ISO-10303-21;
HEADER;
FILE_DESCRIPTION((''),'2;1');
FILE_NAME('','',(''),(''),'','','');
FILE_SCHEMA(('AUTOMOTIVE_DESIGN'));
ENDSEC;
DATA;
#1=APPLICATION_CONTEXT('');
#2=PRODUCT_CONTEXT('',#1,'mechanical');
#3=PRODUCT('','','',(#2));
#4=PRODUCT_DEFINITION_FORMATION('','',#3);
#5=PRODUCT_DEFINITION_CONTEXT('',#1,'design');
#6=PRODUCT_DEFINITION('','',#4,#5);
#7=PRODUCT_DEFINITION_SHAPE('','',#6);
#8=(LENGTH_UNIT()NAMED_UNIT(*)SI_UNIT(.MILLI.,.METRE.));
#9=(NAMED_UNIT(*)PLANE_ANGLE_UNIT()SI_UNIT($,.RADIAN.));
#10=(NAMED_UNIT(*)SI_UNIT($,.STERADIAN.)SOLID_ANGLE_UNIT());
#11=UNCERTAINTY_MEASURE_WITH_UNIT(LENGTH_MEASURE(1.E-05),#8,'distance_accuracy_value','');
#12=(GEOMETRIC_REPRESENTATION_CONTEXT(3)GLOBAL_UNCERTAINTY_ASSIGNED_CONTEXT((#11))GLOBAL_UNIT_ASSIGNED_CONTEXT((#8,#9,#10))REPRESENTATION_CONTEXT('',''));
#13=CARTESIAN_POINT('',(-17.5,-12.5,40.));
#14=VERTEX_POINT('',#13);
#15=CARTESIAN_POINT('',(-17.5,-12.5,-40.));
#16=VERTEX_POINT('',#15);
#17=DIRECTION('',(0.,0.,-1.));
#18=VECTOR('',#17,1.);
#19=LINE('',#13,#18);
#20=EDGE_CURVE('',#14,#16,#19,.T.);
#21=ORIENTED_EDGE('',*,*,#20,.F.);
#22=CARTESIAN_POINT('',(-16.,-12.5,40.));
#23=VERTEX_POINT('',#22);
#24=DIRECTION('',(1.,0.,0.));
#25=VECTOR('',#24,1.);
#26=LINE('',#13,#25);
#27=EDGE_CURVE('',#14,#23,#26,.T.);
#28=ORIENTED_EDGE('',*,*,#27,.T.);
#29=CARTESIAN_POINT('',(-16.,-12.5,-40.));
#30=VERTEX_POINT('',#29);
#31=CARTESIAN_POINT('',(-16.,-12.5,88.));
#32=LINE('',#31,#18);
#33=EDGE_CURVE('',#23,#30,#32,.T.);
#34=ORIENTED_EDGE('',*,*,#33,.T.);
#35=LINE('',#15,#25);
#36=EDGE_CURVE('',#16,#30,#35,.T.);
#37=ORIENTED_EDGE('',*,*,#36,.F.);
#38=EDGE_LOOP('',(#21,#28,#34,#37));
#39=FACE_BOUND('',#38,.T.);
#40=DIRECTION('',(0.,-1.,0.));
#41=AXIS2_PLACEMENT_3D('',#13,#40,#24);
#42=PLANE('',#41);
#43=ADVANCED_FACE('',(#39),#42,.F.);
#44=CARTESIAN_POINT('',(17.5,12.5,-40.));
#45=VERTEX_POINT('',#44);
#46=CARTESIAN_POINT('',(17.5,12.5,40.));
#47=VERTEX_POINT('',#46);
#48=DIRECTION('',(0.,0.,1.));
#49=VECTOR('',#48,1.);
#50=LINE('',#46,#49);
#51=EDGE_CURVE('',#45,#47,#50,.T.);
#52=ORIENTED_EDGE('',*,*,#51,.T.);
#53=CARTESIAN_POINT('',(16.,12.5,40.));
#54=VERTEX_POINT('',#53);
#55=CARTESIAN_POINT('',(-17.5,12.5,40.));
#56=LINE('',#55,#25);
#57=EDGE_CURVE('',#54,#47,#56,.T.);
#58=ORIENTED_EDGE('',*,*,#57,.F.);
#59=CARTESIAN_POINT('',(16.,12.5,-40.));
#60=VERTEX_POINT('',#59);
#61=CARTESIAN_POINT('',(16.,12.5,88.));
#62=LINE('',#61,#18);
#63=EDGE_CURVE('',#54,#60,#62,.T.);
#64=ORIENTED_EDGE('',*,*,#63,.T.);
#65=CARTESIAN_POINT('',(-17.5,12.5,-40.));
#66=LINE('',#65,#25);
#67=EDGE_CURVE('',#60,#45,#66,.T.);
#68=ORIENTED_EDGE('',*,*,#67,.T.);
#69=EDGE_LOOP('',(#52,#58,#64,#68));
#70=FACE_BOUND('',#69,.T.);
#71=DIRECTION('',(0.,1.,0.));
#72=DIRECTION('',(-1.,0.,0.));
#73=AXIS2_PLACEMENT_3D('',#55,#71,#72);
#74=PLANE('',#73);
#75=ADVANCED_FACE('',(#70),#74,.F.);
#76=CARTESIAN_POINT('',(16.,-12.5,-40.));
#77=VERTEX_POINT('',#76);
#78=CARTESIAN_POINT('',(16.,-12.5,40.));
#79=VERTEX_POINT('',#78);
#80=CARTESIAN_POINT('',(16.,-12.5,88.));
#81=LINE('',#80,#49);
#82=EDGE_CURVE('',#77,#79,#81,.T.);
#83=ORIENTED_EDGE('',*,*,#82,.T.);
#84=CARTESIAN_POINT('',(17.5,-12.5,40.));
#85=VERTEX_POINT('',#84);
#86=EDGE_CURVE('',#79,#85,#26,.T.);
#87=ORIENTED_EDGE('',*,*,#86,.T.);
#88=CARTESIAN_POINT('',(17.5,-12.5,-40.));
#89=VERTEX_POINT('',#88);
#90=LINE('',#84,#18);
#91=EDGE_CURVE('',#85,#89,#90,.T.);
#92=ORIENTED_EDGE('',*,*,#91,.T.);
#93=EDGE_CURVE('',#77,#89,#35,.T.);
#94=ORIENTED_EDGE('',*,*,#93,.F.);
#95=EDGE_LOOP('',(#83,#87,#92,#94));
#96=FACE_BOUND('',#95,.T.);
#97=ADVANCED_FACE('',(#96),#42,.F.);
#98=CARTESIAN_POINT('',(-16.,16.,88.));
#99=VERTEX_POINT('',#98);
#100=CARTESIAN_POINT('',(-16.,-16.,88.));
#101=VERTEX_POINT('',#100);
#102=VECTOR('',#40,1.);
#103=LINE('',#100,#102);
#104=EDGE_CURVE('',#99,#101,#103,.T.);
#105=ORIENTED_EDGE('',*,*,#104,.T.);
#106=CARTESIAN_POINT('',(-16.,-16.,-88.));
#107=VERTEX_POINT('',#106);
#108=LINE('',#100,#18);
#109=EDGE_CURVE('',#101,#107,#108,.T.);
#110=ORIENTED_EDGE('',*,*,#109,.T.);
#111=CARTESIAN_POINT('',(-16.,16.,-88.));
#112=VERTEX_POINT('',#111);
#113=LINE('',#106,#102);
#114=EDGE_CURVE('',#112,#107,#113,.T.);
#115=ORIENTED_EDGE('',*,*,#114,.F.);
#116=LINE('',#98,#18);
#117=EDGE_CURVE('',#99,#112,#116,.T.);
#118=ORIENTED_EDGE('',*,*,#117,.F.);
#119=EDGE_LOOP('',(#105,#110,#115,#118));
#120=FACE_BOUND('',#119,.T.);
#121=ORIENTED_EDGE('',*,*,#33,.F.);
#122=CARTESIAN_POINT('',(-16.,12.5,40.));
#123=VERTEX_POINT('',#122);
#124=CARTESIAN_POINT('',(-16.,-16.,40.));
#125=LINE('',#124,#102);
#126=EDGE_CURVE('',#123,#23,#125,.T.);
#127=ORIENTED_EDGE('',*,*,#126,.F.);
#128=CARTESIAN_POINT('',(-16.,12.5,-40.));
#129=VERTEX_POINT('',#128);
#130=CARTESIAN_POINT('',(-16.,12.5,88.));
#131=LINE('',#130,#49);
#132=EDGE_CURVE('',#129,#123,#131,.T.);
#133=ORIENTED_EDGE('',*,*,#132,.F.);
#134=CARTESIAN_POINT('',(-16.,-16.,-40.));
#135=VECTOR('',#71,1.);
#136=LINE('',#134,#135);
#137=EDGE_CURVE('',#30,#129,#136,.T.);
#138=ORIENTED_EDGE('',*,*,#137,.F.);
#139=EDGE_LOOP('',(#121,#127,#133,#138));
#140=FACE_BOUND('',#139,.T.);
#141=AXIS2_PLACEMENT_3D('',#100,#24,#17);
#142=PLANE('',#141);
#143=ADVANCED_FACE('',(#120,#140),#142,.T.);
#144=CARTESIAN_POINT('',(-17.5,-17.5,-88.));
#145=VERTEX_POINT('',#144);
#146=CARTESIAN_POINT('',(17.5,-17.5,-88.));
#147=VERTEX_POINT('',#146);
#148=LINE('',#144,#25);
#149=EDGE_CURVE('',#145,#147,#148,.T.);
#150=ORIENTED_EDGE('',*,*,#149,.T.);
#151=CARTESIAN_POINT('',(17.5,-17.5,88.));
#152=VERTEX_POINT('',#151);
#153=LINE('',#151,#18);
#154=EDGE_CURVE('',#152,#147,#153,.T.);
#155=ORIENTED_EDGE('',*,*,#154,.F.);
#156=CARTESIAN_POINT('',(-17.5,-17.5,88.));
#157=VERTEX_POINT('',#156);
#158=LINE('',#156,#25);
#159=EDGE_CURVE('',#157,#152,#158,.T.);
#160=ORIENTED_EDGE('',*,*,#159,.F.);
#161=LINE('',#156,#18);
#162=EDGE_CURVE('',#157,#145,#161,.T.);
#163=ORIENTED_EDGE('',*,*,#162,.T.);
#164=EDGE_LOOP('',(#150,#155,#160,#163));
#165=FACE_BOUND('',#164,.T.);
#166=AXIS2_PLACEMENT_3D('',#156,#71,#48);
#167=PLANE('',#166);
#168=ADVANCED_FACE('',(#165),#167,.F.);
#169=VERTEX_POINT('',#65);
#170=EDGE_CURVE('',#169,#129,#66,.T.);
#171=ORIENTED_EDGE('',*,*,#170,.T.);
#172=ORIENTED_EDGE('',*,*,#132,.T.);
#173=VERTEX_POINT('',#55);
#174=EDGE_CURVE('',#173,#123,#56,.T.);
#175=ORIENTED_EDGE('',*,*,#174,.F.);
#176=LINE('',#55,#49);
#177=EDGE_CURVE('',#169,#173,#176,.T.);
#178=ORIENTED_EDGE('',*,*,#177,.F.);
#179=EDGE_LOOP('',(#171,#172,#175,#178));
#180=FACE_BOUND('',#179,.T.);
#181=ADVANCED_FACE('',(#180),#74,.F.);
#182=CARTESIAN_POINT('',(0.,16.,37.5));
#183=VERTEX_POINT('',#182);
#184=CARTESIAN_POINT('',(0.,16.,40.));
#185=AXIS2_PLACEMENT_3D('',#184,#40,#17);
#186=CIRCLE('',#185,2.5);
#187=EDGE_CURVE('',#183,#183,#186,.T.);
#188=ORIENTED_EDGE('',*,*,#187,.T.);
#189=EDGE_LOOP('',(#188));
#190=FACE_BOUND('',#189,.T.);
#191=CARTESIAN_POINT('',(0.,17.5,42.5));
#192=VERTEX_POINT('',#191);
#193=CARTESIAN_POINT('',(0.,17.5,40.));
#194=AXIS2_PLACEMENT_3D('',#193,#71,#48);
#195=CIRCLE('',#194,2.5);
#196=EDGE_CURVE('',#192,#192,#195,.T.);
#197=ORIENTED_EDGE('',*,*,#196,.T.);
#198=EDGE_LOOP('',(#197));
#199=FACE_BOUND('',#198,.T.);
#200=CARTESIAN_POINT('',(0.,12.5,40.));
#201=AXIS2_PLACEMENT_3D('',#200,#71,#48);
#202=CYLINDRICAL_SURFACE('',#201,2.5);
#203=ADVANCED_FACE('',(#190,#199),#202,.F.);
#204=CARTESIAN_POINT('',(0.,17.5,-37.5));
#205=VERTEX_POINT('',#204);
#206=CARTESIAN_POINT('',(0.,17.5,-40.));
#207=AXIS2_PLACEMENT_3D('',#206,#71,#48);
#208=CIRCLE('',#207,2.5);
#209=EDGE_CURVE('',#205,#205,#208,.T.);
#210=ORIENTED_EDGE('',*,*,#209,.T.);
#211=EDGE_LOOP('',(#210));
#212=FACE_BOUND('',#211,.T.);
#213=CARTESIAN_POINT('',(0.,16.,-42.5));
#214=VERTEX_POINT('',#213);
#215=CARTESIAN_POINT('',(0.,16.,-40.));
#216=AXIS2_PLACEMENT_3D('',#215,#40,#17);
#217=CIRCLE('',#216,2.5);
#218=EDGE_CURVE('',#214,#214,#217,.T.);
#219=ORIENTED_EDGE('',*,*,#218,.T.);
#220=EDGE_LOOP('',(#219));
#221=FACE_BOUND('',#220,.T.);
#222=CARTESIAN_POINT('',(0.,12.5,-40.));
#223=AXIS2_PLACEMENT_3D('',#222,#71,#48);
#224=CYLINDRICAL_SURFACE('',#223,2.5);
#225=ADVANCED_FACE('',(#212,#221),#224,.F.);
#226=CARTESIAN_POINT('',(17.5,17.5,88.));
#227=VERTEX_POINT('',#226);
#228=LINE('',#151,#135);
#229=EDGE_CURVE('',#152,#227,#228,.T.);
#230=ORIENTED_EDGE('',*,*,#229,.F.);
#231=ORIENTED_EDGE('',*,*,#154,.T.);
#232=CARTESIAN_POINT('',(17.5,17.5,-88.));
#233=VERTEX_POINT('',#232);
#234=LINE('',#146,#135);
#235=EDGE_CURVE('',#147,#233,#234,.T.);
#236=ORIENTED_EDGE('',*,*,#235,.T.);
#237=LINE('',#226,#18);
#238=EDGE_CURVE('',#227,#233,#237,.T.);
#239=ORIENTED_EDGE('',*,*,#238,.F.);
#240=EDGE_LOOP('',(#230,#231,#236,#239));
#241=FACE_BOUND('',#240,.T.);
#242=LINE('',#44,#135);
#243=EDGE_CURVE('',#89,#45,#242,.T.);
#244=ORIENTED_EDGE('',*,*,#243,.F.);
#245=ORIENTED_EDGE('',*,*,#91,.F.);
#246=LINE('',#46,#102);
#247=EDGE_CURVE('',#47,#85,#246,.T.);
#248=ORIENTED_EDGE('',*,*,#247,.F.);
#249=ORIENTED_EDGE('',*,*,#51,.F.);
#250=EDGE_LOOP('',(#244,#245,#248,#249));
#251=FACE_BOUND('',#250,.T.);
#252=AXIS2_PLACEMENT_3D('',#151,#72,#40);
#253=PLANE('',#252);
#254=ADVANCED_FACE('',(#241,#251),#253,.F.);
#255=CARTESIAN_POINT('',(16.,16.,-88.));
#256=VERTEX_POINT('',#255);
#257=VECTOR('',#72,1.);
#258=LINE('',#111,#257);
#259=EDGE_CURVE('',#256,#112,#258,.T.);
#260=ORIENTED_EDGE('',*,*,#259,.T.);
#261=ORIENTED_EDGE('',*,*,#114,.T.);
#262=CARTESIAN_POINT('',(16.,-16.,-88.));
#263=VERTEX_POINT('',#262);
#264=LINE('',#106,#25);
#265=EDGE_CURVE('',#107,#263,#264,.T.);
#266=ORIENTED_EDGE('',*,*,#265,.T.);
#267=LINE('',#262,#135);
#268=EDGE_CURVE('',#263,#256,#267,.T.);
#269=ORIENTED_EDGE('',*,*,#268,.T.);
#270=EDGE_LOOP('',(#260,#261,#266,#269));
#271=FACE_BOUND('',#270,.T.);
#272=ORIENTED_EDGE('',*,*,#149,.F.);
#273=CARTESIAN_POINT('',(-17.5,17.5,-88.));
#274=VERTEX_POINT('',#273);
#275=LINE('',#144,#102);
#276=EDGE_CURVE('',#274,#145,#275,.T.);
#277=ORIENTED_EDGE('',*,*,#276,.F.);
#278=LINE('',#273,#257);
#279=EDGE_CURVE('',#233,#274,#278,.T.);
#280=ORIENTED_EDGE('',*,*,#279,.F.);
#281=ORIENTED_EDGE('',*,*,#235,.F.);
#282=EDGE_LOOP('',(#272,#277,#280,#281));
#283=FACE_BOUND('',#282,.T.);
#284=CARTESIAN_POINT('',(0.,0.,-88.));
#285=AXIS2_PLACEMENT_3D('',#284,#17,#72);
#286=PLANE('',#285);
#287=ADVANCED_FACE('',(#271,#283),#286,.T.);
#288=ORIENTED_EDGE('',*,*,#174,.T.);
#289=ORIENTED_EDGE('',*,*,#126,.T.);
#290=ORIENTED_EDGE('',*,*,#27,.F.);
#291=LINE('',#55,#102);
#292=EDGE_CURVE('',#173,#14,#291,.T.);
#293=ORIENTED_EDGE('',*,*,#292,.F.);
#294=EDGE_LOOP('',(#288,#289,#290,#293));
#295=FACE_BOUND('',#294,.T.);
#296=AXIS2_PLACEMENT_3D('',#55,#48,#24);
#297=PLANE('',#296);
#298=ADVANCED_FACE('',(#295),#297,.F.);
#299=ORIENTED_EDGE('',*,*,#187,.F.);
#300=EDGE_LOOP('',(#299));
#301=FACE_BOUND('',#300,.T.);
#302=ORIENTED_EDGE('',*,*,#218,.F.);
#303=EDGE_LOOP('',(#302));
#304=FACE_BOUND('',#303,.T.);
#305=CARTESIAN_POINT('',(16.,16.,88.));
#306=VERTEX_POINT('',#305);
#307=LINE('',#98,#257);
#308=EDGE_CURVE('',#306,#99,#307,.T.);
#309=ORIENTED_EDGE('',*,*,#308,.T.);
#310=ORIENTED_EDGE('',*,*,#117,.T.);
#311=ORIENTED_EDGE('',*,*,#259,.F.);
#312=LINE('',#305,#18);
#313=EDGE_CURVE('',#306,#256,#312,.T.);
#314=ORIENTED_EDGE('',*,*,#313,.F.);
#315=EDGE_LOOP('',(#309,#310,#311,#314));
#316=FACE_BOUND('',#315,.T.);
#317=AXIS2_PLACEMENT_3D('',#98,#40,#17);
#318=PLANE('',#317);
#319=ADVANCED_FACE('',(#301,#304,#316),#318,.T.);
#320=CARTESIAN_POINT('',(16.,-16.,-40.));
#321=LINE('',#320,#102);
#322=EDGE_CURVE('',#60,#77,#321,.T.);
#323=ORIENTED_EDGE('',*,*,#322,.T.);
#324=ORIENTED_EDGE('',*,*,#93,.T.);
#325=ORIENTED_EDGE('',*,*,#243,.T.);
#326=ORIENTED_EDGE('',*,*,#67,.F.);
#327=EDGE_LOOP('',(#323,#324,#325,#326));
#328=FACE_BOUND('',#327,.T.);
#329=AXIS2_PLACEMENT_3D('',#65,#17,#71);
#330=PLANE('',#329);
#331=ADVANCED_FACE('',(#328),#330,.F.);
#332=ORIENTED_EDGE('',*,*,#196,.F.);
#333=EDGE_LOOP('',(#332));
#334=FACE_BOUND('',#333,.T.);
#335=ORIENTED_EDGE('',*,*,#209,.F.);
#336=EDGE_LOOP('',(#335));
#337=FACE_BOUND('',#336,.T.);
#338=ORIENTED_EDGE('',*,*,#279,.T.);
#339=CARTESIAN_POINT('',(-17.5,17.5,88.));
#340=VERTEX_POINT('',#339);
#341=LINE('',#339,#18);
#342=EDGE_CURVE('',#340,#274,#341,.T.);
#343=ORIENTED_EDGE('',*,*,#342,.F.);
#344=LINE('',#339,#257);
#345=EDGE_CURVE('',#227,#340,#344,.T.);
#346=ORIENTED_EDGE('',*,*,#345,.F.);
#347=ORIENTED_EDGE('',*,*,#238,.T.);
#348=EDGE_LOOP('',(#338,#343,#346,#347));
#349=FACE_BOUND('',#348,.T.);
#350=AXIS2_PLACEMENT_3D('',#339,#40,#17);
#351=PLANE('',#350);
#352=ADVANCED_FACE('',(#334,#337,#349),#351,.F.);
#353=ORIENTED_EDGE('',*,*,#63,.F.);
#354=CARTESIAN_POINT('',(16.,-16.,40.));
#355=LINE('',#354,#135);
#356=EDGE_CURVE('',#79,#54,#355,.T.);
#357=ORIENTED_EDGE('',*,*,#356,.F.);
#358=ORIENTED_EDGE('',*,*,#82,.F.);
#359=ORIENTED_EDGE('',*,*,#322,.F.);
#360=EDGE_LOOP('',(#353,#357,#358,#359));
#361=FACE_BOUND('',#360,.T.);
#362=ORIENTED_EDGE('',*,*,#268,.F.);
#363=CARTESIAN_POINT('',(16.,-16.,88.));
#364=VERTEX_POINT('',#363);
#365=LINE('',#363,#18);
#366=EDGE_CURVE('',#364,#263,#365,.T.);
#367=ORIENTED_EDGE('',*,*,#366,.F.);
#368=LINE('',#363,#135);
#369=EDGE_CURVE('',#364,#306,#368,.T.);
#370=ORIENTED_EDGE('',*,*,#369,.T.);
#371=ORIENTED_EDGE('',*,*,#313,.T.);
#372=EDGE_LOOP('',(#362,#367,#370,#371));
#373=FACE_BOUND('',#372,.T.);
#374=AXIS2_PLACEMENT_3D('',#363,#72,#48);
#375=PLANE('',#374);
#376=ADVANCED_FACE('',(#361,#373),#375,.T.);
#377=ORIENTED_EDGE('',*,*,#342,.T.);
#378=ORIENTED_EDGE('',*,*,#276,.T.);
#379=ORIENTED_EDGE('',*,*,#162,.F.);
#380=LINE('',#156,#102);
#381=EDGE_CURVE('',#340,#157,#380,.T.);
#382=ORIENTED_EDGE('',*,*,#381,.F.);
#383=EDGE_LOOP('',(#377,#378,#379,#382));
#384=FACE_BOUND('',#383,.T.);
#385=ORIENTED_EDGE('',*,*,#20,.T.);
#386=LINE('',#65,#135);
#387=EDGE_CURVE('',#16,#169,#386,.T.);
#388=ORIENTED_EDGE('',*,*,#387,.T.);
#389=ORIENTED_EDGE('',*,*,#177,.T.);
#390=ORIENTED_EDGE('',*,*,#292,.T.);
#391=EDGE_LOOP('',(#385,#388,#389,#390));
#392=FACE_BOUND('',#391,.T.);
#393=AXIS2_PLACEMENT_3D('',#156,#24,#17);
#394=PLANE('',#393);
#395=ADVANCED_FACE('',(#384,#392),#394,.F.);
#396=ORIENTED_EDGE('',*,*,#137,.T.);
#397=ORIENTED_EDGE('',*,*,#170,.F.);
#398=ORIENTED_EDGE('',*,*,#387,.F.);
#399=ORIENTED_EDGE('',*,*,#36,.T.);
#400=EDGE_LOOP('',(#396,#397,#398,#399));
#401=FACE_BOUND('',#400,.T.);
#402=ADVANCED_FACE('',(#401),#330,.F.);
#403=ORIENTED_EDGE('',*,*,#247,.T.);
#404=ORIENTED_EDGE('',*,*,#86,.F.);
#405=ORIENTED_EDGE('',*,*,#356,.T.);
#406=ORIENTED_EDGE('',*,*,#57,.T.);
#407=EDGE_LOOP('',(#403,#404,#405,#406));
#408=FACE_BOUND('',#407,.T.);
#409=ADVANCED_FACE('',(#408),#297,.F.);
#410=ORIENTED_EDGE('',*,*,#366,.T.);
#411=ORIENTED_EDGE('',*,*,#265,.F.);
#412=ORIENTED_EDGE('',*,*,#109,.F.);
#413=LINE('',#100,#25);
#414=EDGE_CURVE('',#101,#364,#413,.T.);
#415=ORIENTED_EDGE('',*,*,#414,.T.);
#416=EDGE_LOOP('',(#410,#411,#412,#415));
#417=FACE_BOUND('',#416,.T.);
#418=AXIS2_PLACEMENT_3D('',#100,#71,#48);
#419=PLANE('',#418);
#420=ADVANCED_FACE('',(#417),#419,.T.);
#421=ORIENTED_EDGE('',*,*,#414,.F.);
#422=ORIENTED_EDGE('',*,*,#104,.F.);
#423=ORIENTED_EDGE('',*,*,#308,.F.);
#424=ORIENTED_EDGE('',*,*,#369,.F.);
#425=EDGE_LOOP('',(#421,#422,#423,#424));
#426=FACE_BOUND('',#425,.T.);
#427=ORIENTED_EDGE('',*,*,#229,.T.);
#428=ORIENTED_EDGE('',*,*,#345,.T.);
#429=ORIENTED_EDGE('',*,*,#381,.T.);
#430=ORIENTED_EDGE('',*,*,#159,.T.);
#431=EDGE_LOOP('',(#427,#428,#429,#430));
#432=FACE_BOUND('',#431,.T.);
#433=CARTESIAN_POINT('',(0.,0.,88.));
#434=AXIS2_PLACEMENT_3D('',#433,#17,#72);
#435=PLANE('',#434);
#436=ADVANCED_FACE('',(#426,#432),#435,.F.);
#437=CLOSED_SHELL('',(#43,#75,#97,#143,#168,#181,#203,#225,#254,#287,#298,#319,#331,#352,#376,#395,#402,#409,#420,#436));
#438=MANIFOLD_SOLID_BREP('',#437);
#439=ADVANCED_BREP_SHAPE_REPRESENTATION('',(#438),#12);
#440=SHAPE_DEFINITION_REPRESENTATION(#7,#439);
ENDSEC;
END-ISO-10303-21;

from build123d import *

# Parameters (mm, degrees)
MOTORBLOCKSKETCH_W         = 35
MOTORBLOCKSKETCH_H         = 35
MOTORBLOCKSKETCH_W_2       = 32
MOTORBLOCKSKETCH_H_2       = 32
BOSS_EXTRU_1_DEPTH         = 88
ESQUISSE3_W                = 80
ESQUISSE3_H                = 25
ENL_V_MAT_EXTRU_1_DEPTH    = 36
DRILLLEFTMOTORFIXSKETCH_R  = 2.5
ENL_V_MAT_EXTRU_2_DEPTH    = 5
DRILLRIGHTMOTORFIXSKETCH_R = 2.5
ENL_V_MAT_EXTRU_3_DEPTH    = 5


with BuildPart() as part:
    # MotorBlockSketch → Boss.-Extru.1 (new body, symmetric)
    with BuildSketch(Plane.XY):
        Rectangle(MOTORBLOCKSKETCH_W, MOTORBLOCKSKETCH_H)
        Rectangle(MOTORBLOCKSKETCH_W_2, MOTORBLOCKSKETCH_H_2, mode=Mode.SUBTRACT)
    extrude(amount=BOSS_EXTRU_1_DEPTH, both=True)

    # Esquisse3 → Enlèv. mat.-Extru.1 (cut, through all)
    with BuildSketch(Plane(origin=(17.5, 0, 0), x_dir=(0, 0, -1), z_dir=(1, 0, 0))):
        Rectangle(ESQUISSE3_W, ESQUISSE3_H)
    extrude(amount=-ENL_V_MAT_EXTRU_1_DEPTH, mode=Mode.SUBTRACT)

    # DrillLeftMotorFixSketch → Enlèv. mat.-Extru.2 (cut)
    with BuildSketch(Plane(origin=(0, 17.5, 0), x_dir=(1, 0, 0), z_dir=(0, 1, 0))):
        with Locations((0, 40)):
            Circle(DRILLLEFTMOTORFIXSKETCH_R)
    extrude(amount=-ENL_V_MAT_EXTRU_2_DEPTH, mode=Mode.SUBTRACT)

    # DrillRightMotorFixSketch → Enlèv. mat.-Extru.3 (cut)
    with BuildSketch(Plane(origin=(0, 17.5, 0), x_dir=(1, 0, 0), z_dir=(0, 1, 0))):
        with Locations((0, -40)):
            Circle(DRILLRIGHTMOTORFIXSKETCH_R)
    extrude(amount=-ENL_V_MAT_EXTRU_3_DEPTH, mode=Mode.SUBTRACT)


solid = part.part
